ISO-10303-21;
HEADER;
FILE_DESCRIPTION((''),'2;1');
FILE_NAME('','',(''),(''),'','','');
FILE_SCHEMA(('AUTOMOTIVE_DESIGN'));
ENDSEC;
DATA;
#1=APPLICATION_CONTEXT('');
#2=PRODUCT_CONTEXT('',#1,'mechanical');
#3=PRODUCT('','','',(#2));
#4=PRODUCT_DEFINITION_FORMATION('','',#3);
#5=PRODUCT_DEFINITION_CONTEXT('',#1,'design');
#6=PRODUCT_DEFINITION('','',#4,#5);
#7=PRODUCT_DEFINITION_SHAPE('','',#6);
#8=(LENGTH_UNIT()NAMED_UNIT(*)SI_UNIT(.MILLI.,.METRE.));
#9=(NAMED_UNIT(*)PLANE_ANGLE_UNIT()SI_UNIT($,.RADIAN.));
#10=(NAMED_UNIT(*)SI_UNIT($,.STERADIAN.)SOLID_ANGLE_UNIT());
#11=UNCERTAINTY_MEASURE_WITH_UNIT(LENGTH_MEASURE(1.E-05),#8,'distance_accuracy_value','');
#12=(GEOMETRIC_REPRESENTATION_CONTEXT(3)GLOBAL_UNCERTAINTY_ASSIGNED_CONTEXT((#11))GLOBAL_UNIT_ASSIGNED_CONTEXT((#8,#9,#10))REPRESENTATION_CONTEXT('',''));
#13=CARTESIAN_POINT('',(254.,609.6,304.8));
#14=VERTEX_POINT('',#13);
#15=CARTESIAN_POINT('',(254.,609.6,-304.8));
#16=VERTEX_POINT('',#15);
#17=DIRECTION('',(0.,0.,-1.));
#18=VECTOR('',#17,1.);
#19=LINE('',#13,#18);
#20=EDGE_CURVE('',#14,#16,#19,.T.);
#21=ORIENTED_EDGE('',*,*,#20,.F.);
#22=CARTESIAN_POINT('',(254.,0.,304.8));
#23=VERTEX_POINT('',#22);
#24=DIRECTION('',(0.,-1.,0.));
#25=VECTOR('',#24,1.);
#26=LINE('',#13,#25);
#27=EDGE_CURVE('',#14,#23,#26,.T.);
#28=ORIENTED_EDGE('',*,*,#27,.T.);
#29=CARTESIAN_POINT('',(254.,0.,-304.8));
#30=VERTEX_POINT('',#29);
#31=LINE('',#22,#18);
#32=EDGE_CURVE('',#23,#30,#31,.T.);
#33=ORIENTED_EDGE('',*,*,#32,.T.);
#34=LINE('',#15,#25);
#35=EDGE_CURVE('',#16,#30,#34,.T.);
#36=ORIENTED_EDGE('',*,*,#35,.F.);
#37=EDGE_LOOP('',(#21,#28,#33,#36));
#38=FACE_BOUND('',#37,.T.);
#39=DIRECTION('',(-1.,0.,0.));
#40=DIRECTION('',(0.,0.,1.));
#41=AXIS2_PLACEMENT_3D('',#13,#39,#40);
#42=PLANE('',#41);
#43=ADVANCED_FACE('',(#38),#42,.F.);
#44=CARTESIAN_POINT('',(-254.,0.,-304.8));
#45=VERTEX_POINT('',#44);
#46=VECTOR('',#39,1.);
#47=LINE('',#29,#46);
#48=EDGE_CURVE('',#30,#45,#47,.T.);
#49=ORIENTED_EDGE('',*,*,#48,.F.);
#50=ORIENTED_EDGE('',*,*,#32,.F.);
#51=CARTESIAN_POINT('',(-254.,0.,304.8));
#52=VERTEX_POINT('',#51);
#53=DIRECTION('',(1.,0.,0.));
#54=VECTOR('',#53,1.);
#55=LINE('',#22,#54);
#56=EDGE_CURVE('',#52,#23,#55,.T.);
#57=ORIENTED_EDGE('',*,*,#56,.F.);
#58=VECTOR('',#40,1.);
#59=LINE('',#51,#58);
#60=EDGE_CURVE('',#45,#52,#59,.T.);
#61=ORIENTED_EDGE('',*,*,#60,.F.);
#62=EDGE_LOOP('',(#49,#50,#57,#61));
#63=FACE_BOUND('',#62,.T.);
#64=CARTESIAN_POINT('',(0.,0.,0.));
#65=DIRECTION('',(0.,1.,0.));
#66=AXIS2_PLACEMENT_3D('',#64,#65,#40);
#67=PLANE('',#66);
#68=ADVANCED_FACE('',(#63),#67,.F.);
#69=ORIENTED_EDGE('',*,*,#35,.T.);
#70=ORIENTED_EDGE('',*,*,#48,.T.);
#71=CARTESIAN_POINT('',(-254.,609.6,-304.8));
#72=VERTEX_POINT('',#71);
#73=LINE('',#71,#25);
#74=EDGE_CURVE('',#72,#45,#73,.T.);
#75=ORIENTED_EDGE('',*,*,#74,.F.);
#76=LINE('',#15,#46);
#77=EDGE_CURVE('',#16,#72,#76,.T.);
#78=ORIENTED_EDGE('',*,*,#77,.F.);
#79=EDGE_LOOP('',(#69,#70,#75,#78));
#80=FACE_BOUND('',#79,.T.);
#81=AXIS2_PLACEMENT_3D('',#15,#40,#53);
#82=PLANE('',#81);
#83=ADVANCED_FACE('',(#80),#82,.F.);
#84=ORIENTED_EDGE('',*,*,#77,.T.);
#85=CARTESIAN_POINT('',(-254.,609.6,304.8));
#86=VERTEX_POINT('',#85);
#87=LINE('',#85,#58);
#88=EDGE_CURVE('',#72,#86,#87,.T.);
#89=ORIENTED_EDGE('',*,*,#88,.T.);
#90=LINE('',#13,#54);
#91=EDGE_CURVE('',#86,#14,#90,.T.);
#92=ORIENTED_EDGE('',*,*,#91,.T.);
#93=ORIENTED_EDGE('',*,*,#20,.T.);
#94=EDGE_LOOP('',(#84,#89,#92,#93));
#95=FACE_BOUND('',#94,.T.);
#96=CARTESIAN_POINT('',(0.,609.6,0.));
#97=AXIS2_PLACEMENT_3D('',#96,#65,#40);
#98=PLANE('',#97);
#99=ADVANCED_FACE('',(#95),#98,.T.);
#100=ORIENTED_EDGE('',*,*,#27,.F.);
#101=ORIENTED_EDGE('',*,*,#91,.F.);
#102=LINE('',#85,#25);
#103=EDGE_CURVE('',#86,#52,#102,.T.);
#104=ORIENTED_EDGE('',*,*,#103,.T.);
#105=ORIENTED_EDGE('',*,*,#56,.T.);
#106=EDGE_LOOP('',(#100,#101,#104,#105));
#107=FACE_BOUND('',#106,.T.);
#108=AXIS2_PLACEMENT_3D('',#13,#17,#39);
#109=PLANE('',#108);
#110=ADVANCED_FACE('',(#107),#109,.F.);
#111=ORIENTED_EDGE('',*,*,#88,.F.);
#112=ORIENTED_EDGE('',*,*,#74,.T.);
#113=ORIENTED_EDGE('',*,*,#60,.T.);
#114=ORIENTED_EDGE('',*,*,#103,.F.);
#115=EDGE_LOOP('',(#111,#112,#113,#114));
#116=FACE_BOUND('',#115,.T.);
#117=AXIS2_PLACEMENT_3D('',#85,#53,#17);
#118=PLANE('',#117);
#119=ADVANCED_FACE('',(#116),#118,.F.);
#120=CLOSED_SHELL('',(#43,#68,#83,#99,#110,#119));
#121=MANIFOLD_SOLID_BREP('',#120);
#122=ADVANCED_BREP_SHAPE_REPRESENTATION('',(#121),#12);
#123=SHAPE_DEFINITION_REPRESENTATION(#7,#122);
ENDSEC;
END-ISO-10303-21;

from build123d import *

# Parameters (mm, degrees)
SKETCH1_W           = 508
SKETCH1_H           = 609.6
BOSS_EXTRUDE1_DEPTH = 609.6


with BuildPart() as part:
    # Sketch1 → Boss-Extrude1 (new body)
    with BuildSketch(Plane(origin=(0, 0, 0), x_dir=(1, 0, 0), z_dir=(0, 1, 0))):
        Rectangle(SKETCH1_W, SKETCH1_H)
    extrude(amount=BOSS_EXTRUDE1_DEPTH)


solid = part.part
